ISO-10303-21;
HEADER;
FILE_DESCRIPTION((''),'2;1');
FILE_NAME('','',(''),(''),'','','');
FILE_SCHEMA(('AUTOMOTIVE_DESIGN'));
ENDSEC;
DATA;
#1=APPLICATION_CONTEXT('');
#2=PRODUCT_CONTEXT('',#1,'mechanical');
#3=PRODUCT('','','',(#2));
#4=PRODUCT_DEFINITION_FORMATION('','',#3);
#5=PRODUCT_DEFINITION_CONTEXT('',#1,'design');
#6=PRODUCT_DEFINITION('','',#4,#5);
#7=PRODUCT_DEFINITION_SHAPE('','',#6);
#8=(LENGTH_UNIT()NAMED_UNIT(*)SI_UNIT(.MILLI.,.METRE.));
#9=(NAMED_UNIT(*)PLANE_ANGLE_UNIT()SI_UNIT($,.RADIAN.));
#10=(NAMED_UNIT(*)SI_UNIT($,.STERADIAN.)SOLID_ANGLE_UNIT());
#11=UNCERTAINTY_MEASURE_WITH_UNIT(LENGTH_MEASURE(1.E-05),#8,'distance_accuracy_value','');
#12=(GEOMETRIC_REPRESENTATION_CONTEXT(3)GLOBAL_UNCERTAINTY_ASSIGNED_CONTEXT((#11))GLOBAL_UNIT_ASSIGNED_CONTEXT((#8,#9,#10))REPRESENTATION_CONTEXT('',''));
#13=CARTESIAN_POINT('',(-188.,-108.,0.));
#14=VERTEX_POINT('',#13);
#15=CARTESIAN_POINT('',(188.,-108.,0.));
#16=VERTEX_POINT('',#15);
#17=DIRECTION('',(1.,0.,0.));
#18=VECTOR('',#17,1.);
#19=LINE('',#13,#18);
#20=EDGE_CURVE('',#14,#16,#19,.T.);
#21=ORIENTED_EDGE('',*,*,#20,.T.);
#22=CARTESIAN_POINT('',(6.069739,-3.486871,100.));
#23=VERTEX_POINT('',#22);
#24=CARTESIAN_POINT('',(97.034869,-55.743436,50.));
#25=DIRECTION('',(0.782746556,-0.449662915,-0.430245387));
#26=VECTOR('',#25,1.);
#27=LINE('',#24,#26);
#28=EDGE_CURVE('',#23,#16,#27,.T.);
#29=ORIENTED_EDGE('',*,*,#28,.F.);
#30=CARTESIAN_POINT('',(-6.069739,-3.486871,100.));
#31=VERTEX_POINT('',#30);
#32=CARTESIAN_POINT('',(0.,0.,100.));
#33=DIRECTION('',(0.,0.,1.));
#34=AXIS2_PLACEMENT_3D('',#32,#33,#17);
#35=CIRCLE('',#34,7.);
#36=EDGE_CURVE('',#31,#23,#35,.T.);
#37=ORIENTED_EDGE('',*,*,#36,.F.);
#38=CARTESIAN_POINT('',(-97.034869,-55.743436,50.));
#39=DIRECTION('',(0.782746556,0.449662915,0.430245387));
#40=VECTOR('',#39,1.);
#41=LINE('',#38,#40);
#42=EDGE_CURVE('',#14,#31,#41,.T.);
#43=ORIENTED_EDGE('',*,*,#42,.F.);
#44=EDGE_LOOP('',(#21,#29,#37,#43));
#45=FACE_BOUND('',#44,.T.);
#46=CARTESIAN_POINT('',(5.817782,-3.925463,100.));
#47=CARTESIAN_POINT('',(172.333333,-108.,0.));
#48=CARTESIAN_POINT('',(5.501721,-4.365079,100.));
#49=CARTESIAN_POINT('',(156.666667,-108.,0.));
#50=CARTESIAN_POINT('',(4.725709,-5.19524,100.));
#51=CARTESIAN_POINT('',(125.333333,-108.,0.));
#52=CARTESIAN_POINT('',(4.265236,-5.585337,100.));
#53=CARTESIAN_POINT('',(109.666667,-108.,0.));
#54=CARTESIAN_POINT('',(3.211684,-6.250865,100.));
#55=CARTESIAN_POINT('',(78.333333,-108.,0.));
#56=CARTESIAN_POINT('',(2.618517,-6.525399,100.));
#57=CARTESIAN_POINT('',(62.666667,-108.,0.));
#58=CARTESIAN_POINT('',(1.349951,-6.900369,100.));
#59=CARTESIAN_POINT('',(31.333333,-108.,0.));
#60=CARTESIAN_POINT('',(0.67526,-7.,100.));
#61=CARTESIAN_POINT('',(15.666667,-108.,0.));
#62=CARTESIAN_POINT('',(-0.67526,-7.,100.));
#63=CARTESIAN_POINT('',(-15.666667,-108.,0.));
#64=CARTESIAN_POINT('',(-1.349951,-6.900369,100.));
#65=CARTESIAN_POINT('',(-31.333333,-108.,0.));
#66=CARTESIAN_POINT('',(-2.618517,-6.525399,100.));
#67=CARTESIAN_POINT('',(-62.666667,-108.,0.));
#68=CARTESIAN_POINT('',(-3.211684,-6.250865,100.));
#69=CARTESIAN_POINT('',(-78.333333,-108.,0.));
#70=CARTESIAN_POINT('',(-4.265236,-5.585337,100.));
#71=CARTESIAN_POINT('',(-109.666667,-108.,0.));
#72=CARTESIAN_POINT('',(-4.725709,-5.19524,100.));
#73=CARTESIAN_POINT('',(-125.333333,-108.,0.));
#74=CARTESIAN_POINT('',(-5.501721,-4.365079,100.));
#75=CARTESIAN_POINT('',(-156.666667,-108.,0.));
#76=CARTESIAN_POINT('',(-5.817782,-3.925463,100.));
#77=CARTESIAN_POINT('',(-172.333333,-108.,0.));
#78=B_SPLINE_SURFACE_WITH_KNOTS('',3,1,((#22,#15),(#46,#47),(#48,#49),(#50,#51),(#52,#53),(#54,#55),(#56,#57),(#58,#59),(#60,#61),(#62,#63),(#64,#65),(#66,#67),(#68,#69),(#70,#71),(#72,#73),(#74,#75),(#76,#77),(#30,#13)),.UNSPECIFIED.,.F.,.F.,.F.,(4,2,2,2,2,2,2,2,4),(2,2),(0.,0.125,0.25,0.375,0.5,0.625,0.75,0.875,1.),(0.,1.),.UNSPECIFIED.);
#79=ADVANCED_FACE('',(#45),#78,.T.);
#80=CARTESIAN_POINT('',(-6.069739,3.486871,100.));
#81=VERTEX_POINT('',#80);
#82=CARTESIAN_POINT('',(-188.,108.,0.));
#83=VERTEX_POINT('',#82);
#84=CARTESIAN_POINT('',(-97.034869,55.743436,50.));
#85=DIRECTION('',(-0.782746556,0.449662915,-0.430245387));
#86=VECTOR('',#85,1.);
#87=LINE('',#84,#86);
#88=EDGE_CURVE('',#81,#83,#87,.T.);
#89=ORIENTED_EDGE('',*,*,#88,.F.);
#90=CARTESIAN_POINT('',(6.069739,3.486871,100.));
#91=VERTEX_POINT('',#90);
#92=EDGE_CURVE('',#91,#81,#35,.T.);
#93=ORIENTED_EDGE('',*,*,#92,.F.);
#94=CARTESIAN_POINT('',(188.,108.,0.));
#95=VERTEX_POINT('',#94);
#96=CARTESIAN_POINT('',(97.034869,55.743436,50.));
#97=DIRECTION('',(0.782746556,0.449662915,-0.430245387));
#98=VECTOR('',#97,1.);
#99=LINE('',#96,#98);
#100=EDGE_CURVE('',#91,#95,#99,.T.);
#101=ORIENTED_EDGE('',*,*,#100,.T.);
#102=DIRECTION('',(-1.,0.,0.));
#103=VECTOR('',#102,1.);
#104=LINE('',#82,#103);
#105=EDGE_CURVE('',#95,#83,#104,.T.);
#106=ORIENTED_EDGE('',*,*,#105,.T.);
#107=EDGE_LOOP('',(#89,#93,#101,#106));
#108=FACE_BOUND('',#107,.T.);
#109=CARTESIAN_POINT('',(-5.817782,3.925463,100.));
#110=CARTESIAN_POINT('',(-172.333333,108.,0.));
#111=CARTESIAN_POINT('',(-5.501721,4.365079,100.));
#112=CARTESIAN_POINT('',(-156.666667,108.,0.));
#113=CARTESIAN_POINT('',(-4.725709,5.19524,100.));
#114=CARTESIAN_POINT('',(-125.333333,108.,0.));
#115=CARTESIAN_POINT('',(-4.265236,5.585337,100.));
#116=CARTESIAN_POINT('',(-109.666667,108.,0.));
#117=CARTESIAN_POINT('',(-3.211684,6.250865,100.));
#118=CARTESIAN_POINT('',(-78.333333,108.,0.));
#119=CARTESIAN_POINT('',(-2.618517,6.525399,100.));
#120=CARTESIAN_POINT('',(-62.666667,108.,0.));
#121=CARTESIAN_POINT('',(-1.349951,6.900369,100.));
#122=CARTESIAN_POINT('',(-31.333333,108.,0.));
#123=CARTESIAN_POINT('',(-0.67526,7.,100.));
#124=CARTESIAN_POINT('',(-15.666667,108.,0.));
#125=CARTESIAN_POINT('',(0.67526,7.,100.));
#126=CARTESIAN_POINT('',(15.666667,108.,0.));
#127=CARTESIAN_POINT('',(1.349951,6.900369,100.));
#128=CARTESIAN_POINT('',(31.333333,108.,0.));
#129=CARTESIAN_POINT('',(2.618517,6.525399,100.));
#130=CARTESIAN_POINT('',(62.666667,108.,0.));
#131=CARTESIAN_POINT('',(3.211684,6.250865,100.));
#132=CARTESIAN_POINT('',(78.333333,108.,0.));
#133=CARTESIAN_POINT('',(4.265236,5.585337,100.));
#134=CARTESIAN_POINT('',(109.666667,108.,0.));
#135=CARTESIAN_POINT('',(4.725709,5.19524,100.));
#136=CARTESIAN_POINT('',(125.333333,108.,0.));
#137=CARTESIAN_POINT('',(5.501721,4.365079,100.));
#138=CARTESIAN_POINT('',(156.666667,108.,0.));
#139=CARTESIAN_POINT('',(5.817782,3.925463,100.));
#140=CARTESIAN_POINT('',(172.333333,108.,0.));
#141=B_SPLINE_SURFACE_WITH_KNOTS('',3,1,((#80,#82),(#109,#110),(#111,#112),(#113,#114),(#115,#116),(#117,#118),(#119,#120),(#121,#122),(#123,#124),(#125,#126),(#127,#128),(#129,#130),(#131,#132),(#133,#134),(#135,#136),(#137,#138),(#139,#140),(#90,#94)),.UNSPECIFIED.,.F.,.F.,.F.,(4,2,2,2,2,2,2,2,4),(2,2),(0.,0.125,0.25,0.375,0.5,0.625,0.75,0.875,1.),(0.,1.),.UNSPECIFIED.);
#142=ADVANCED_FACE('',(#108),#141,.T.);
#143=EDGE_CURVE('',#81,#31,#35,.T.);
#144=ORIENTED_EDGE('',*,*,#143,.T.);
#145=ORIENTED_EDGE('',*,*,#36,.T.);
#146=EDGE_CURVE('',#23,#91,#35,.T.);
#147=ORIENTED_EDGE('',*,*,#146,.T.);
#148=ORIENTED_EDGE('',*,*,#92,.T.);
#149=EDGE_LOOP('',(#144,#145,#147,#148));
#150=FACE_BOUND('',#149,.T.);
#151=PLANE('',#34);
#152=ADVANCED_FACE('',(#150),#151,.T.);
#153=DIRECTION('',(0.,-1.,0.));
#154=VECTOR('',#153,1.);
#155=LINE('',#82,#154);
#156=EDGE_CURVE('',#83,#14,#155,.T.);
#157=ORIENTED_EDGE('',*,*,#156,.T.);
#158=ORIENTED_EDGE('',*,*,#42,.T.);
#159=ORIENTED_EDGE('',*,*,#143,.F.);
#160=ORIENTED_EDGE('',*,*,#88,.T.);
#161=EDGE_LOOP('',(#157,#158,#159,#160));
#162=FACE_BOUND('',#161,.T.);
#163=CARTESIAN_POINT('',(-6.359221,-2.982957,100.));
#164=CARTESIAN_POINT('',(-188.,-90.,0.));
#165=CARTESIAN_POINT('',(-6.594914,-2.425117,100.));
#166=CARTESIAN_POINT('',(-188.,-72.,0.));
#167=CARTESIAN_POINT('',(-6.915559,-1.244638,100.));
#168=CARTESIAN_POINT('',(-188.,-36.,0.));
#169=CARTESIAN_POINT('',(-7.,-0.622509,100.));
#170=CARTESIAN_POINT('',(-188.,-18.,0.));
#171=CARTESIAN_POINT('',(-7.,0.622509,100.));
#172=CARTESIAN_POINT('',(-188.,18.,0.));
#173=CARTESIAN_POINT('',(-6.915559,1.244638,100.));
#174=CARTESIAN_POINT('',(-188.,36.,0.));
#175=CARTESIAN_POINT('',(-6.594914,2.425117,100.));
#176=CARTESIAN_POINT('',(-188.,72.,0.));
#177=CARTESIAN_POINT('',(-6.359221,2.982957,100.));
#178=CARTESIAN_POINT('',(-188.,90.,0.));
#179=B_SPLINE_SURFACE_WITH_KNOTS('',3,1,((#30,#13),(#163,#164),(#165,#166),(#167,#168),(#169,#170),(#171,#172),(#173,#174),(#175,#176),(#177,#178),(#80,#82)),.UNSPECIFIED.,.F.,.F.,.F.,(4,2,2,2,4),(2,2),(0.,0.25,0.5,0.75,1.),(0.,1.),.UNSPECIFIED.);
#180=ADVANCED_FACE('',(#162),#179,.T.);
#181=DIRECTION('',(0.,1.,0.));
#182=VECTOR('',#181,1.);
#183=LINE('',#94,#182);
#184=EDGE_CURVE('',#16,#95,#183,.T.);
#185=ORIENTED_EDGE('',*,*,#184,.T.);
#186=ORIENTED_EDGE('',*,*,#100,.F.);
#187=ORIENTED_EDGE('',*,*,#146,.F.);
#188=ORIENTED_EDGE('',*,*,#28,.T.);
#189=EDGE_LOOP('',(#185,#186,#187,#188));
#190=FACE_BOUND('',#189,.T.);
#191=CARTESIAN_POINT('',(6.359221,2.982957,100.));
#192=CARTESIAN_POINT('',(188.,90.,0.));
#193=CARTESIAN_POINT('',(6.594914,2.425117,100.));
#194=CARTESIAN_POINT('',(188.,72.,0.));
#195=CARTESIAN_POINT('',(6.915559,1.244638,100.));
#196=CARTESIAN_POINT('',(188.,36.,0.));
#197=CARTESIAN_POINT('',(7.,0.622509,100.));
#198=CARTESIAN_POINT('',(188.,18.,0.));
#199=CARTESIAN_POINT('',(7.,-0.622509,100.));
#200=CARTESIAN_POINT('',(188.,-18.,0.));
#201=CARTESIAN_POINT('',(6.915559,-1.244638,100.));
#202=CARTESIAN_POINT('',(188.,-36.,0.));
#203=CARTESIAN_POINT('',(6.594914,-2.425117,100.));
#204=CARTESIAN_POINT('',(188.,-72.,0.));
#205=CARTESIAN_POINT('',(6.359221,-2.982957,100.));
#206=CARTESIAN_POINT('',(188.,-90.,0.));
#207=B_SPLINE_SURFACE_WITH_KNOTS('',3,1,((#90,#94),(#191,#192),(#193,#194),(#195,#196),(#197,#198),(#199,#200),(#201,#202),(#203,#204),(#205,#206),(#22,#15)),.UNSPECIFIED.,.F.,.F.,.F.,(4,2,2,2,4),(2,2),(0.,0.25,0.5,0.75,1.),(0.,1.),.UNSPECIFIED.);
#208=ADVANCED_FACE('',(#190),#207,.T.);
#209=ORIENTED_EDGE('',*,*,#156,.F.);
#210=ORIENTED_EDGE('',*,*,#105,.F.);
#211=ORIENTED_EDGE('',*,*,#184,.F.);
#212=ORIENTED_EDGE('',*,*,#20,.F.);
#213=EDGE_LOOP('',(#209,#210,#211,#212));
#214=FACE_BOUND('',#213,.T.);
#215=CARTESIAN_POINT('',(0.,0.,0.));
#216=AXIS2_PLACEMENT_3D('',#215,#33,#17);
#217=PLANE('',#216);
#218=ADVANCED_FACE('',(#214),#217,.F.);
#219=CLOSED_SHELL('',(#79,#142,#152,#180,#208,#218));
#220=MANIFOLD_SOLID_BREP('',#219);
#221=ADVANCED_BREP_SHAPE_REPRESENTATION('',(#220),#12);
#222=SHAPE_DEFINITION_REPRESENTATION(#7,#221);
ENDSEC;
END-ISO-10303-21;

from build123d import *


with BuildPart() as part:
    # Croquis2 for Recubrir2 → Recubrir2 section 0
    with BuildSketch(Plane.XY.offset(100)):
        with BuildLine():
            # circular arc as an exact rational Bezier (weights 1, cos(half-angle), 1)
            Bezier((-6.069738797, 3.486871224), (0, 14.052712834), (6.069738797, 3.486871224), weights=[1, 0.498124461, 1])
            Bezier((6.069738797, 3.486871224), (8.072835033, 0), (6.069738797, -3.486871224), weights=[1, 0.867105542, 1])
            Bezier((6.069738797, -3.486871224), (0, -14.052712834), (-6.069738797, -3.486871224), weights=[1, 0.498124461, 1])
            Bezier((-6.069738797, -3.486871224), (-8.072835033, 0), (-6.069738797, 3.486871224), weights=[1, 0.867105542, 1])
        make_face()
    # Croquis1 → Recubrir2 section 1
    with BuildSketch(Plane.XY):
        with BuildLine():
            Line((-188, 108), (188, 108))
            Line((188, 108), (188, -108))
            Line((188, -108), (-188, -108))
            Line((-188, -108), (-188, 108))
        make_face()
    loft()


solid = part.part
